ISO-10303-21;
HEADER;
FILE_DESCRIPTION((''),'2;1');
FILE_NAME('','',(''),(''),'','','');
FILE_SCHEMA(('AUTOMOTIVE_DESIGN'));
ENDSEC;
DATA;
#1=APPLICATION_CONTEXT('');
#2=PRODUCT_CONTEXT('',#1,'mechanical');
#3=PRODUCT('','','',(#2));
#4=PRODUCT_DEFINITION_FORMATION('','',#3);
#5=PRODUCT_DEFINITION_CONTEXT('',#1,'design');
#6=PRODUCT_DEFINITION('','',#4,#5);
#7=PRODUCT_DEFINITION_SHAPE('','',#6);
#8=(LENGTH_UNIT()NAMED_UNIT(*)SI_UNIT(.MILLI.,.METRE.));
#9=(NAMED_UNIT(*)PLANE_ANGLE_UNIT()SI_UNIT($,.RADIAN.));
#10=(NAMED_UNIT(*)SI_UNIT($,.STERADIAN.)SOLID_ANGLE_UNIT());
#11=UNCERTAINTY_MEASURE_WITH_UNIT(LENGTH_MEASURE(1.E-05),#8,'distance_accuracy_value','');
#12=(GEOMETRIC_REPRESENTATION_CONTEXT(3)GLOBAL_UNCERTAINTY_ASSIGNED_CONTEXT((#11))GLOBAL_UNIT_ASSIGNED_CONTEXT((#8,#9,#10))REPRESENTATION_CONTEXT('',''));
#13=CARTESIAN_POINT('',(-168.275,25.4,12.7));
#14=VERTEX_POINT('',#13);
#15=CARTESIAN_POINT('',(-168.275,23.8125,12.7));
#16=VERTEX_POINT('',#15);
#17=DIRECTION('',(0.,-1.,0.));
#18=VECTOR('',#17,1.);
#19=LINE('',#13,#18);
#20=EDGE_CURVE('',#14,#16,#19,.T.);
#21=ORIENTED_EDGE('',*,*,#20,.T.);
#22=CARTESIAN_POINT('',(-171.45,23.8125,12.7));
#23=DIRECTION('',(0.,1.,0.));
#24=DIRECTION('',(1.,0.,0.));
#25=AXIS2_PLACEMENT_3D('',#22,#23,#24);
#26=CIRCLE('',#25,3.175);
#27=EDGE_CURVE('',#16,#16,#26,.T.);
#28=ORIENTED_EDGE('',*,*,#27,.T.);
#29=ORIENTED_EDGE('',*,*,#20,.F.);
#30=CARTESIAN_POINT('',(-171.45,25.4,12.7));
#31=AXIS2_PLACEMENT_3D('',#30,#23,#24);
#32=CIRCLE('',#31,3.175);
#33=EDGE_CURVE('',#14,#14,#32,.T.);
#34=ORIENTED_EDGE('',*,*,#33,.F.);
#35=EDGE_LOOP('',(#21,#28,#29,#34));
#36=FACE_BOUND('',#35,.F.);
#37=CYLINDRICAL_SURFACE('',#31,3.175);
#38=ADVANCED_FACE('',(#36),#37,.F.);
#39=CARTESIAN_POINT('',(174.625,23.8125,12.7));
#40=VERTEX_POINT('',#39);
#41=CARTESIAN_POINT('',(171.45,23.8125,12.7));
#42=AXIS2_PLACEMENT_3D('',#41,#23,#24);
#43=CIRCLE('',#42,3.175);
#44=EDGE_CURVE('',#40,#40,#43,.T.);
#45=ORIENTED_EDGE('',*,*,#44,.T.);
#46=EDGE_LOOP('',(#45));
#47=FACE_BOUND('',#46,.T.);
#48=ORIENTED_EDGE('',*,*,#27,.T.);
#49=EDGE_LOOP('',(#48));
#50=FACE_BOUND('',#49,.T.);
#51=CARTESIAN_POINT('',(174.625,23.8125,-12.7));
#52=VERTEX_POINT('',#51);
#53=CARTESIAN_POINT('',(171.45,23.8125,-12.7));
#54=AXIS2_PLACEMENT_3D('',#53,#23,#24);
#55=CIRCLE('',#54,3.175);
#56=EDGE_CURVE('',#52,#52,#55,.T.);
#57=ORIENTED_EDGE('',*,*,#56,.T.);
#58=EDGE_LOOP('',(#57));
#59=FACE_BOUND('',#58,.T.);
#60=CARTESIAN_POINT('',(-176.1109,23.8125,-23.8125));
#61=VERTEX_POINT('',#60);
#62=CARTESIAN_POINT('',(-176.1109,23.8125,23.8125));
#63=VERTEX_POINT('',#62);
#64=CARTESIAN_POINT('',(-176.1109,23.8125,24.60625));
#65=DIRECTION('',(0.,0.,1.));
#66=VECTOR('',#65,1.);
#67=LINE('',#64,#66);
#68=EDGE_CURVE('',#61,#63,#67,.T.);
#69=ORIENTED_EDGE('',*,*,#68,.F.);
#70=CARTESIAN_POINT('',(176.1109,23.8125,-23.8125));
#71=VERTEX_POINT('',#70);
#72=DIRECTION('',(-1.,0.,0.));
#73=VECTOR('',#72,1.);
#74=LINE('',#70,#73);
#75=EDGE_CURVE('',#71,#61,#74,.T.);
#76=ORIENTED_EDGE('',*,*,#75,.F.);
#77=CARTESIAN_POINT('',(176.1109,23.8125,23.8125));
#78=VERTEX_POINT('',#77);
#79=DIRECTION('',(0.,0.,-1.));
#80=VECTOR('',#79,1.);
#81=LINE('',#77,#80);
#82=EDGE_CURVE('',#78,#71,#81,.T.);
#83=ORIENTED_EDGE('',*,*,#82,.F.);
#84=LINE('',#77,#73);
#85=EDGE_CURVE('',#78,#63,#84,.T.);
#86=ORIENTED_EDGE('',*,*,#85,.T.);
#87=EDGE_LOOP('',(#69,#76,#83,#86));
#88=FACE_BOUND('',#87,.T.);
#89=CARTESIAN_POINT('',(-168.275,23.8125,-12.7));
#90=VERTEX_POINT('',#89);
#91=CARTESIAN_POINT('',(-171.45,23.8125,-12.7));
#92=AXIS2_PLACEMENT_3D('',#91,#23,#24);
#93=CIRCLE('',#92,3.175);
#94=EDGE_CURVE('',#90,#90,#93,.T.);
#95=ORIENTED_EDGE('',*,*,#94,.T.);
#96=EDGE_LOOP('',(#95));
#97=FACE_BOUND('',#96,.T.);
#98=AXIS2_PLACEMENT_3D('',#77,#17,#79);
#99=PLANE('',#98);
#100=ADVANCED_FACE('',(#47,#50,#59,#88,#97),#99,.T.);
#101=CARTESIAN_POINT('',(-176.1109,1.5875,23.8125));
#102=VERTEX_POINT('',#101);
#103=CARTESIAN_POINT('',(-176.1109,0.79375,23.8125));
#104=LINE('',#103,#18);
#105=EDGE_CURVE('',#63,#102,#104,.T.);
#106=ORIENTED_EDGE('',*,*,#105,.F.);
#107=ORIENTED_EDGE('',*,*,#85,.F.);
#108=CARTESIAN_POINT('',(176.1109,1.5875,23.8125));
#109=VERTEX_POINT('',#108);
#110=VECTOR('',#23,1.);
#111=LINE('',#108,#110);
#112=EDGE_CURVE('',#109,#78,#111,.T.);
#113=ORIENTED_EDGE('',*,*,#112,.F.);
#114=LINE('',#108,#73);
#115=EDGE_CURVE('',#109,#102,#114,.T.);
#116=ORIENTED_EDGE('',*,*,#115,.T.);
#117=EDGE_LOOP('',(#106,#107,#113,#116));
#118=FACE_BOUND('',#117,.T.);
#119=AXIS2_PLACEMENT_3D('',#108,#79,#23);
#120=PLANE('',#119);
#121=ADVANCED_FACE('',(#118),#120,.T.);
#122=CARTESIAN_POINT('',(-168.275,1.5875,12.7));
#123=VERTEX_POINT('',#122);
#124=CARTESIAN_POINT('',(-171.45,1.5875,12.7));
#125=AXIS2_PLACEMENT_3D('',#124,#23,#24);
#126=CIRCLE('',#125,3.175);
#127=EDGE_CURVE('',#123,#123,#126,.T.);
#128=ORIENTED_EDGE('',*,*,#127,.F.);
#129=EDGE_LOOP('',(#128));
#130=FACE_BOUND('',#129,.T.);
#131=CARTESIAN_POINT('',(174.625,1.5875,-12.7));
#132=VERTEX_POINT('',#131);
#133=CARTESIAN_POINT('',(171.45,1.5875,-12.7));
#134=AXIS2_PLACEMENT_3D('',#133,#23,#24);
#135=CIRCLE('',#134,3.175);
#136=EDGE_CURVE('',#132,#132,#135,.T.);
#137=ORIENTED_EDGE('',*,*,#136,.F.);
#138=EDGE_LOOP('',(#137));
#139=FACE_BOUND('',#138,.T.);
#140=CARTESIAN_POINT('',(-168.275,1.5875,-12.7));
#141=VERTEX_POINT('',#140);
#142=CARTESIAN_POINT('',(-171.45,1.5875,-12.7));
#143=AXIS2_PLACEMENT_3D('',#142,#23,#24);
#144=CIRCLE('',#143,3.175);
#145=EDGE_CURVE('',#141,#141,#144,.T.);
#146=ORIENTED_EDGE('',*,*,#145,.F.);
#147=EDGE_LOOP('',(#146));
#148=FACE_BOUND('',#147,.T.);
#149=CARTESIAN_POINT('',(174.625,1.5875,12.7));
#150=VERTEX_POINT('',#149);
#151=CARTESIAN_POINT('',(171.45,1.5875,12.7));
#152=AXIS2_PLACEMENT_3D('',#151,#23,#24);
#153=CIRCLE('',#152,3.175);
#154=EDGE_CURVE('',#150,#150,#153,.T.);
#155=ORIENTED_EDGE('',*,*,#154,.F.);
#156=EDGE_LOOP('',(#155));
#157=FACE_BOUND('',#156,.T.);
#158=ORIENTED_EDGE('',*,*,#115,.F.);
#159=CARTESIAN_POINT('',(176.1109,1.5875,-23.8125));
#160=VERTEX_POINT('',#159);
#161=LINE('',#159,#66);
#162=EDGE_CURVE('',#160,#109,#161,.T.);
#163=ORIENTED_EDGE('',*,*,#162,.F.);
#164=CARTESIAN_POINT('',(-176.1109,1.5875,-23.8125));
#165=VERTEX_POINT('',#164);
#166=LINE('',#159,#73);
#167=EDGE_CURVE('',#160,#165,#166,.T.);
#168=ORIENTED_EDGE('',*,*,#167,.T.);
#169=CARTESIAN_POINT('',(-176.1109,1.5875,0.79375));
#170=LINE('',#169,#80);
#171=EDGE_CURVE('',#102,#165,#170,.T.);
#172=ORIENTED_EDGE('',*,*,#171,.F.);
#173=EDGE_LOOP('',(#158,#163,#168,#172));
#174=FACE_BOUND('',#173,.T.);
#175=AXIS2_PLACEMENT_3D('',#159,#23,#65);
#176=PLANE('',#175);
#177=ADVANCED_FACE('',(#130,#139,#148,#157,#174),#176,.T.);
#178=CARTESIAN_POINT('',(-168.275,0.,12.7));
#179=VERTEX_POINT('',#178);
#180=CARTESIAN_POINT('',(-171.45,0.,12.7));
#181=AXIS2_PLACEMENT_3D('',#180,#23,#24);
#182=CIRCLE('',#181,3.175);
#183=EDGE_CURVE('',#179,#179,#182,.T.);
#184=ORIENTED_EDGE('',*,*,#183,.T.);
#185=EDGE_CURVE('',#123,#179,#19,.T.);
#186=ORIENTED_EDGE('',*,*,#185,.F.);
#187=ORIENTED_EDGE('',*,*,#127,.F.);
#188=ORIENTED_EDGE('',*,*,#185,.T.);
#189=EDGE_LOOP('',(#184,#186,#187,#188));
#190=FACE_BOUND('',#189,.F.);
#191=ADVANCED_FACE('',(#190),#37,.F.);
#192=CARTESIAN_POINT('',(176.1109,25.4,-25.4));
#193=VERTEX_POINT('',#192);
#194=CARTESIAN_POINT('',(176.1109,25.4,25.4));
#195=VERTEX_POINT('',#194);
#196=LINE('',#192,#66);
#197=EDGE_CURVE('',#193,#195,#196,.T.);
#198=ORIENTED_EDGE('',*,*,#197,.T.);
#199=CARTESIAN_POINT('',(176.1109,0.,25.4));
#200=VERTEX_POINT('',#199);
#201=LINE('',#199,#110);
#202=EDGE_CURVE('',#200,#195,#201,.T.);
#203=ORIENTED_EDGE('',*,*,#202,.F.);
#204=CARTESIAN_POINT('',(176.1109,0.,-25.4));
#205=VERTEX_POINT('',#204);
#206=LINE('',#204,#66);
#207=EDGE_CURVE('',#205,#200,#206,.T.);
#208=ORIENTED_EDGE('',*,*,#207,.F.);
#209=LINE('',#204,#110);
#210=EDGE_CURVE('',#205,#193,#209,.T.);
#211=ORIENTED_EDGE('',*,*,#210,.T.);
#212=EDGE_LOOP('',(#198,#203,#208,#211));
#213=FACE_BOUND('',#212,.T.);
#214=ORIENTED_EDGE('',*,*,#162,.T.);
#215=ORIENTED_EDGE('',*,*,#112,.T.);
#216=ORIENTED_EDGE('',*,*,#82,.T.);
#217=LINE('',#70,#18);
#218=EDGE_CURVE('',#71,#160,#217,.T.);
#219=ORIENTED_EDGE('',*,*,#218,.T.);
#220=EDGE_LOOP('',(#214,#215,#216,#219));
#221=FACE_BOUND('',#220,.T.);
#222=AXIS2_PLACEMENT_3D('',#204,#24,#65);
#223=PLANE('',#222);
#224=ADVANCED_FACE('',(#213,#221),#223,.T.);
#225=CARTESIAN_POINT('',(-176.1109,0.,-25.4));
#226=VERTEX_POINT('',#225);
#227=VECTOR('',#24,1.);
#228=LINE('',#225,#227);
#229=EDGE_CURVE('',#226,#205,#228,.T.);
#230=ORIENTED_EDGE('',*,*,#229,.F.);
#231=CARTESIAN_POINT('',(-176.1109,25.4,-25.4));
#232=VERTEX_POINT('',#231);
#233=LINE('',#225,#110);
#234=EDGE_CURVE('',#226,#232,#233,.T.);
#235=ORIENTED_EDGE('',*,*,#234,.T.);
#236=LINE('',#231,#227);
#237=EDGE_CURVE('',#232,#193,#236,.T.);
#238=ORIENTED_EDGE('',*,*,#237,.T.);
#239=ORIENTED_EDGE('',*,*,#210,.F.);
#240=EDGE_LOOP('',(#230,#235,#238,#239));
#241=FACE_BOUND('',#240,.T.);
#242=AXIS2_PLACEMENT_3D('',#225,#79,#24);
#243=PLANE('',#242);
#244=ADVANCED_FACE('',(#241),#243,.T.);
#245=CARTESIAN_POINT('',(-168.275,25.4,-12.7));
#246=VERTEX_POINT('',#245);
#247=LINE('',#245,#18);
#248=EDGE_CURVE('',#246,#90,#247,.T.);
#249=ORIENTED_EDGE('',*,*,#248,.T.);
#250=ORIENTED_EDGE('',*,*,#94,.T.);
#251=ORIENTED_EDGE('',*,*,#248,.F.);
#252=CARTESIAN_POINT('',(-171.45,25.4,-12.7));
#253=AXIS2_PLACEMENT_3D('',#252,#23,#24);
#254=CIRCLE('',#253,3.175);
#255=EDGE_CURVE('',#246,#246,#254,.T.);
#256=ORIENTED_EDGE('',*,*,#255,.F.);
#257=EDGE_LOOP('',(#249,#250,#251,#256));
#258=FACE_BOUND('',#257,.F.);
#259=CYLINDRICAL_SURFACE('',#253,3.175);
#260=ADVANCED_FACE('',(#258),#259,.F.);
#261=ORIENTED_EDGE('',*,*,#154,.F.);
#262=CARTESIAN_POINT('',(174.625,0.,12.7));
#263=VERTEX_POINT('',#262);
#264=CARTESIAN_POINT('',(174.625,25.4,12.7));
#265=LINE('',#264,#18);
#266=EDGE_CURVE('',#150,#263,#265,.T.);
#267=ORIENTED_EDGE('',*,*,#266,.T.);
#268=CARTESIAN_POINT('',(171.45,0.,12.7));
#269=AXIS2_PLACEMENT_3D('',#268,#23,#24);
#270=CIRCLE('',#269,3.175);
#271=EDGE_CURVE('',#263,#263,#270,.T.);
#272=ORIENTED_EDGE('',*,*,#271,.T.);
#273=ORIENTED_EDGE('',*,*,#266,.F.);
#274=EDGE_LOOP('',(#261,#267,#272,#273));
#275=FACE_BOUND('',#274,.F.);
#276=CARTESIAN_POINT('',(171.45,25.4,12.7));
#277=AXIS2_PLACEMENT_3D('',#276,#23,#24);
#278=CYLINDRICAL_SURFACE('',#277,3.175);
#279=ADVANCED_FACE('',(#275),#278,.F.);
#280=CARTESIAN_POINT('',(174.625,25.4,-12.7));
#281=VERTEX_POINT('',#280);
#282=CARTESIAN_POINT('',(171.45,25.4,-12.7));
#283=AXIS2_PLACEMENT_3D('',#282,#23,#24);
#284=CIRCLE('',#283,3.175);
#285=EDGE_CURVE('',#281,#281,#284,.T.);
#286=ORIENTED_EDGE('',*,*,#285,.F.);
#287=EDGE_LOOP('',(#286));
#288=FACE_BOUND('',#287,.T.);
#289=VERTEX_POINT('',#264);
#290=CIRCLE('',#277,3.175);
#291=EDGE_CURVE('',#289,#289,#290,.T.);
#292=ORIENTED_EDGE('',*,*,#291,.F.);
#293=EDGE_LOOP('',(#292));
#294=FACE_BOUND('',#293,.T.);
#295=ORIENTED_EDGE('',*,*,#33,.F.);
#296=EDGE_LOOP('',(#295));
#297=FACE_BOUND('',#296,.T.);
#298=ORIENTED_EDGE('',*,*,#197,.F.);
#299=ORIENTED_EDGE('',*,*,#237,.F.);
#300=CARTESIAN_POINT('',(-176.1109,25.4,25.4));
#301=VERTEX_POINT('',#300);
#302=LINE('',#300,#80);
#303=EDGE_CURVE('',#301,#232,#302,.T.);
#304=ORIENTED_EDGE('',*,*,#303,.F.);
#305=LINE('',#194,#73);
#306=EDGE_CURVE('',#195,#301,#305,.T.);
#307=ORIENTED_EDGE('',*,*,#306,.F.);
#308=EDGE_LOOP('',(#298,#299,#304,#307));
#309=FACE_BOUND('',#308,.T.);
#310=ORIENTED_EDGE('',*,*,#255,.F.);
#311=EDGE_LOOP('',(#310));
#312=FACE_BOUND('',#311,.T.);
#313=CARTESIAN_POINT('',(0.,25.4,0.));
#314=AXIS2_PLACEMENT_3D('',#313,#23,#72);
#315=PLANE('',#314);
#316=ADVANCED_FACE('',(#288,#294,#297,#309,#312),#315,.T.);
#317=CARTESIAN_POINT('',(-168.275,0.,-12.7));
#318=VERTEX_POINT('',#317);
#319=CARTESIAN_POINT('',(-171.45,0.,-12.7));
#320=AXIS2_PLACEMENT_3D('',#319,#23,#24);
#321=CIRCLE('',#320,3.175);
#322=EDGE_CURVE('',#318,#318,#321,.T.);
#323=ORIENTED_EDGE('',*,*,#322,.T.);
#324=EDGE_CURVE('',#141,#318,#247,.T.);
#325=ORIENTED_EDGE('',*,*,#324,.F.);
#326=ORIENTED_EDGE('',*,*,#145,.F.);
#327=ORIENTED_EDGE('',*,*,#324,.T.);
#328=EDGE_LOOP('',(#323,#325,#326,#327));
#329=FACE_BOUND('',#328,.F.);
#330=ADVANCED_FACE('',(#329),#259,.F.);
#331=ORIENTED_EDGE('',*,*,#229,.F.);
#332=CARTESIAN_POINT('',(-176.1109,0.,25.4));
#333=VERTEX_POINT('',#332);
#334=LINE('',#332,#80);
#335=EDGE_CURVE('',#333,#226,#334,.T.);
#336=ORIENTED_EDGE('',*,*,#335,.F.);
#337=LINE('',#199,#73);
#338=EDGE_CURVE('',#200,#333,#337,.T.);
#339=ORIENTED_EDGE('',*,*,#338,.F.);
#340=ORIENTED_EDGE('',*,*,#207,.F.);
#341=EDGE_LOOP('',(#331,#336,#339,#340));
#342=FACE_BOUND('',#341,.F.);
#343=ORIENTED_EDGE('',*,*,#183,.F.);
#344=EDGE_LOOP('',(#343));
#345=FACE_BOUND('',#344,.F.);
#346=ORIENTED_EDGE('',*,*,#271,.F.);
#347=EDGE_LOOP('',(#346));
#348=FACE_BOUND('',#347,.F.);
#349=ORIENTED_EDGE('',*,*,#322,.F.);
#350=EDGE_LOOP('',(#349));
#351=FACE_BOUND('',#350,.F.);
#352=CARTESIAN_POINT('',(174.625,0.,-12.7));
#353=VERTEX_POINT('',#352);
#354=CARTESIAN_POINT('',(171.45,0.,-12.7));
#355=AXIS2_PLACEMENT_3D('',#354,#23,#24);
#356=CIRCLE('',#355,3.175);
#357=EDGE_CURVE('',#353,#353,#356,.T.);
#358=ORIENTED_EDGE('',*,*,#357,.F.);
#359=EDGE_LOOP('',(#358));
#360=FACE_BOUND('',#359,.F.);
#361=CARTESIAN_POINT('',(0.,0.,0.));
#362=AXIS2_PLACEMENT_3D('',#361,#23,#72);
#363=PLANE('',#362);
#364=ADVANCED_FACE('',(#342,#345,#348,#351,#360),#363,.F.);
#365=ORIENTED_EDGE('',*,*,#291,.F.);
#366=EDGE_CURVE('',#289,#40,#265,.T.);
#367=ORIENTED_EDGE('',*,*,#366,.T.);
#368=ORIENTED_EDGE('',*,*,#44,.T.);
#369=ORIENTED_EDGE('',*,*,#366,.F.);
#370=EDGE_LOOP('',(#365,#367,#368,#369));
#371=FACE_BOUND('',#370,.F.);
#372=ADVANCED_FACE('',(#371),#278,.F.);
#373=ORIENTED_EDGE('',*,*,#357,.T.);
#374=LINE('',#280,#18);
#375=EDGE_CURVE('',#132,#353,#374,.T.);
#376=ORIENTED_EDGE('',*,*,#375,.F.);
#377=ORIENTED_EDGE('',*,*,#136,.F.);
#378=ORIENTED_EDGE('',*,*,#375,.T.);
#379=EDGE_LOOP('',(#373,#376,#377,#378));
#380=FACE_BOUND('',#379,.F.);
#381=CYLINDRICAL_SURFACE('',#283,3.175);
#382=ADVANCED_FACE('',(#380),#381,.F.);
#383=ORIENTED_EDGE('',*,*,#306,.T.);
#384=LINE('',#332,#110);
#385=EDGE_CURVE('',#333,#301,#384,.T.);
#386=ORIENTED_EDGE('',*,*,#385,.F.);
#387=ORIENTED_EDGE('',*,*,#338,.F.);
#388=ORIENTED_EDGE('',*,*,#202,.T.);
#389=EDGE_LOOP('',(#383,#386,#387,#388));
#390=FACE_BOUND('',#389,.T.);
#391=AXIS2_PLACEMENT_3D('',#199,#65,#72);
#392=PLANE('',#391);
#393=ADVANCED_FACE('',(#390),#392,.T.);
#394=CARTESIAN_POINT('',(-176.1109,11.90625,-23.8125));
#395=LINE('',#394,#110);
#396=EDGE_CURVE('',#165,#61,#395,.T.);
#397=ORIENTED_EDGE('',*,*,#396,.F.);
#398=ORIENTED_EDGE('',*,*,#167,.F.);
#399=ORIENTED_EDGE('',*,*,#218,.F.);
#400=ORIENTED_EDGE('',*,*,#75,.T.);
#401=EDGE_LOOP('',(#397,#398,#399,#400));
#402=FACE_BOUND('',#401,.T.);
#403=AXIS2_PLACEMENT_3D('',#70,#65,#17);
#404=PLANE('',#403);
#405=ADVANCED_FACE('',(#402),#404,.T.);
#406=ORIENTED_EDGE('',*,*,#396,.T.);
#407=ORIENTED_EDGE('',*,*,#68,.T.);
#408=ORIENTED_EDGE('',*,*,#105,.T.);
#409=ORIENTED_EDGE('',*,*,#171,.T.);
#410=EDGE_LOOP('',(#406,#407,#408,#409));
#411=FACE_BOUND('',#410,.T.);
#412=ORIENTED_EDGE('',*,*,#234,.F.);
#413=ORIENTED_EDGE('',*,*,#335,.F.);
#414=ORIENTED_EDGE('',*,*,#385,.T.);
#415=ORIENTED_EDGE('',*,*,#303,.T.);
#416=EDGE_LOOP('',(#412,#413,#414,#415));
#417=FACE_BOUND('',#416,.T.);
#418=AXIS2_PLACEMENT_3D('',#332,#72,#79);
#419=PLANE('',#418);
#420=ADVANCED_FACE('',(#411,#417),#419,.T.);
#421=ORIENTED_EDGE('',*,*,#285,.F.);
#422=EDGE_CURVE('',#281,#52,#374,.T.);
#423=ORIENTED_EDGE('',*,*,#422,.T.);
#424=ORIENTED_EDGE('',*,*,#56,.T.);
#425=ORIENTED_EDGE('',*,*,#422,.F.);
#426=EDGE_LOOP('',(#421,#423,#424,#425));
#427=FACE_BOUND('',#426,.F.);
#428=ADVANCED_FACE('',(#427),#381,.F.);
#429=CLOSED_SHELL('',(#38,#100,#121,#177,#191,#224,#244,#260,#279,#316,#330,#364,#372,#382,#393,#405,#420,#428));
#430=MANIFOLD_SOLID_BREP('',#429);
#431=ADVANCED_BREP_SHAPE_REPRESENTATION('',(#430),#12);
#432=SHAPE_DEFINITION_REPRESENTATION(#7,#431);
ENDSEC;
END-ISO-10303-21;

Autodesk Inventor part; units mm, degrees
ref_plane "YZ Plane" through (0, 0, 0) normal (1, 0, 0) x (0, 1, 0)
ref_plane "XZ Plane" through (0, 0, 0) normal (0, 1, 0) x (-1, 0, 0)
ref_plane "XY Plane" through (0, 0, 0) normal (0, 0, 1) x (1, 0, 0)
sketch "Sketch1" plane through (0, 0, 0) normal (0, 1, 0) x (-1, 0, 0)
  line L0 (176.1109, -25.4) -> (-176.1109, -25.4)
  line L1 (-176.1109, -25.4) -> (-176.1109, 25.4)
  line L2 (-176.1109, 25.4) -> (176.1109, 25.4)
  line L3 (176.1109, 25.4) -> (176.1109, -25.4)
  line L4 (176.1109, -25.4) -> (-176.1109, 25.4) construction
  line L5 (-176.1109, -25.4) -> (176.1109, 25.4) construction
  point P0 (0, 0)
  dimension "d0" = 352.2218
  dimension "d1" = 50.8
extrude "Extrusion1" add sketch "Sketch1" along normal blind 25.4
sketch "Sketch2" plane through (176.1109, 0, 25.4) normal (1, 0, 0) x (0, 0, -1)
  line L0 (25.4, 0) -> (25.4, 12.7) construction
  line L1 (1.5875, 23.8125) -> (49.2125, 23.8125)
  line L2 (49.2125, 23.8125) -> (49.2125, 1.5875)
  line L3 (49.2125, 1.5875) -> (1.5875, 1.5875)
  line L4 (1.5875, 1.5875) -> (1.5875, 23.8125)
  line L5 (1.5875, 23.8125) -> (49.2125, 1.5875) construction
  line L6 (49.2125, 23.8125) -> (1.5875, 1.5875) construction
  dimension "d4" = 12.7
  dimension "d5" = 47.625
  dimension "d6" = 22.225
extrude "Extrusion2" cut sketch "Sketch2" against normal through all
sketch "Sketch3" plane through (0, 25.4, 0) normal (0, 1, 0) x (1, 0, 0)
  line L0 (-180.7718, 12.7) -> (-171.45, 12.7) construction
  line L1 (-171.45, 12.7) -> (-171.45, -12.7) construction
  line L2 (-171.45, -12.7) -> (-180.7718, -12.7) construction
  line L3 (-180.7718, -12.7) -> (-180.7718, 12.7) construction
  line L4 (-176.1109, 23.8125) -> (-176.1109, -23.8125) construction
  line L5 (-180.7718, 12.7) -> (-171.45, -12.7) construction
  line L6 (-171.45, 12.7) -> (-180.7718, -12.7) construction
  circle A0 centre (-171.45, 12.7) radius 3.175
  circle A1 centre (-171.45, -12.7) radius 3.175
  line L7 (0, 0) -> (0, -23.8125) construction
  circle A2 centre (171.45, 12.7) radius 3.175
  circle A3 centre (171.45, -12.7) radius 3.175
  point P0 (-176.1109, 0)
  dimension "d9" = 9.3218
  dimension "d10" = 25.4
  dimension "d11" = 6.35
  dimension "d12" = 6.35
extrude "Extrusion3" cut sketch "Sketch3" against normal through all
properties part number "Tube"
